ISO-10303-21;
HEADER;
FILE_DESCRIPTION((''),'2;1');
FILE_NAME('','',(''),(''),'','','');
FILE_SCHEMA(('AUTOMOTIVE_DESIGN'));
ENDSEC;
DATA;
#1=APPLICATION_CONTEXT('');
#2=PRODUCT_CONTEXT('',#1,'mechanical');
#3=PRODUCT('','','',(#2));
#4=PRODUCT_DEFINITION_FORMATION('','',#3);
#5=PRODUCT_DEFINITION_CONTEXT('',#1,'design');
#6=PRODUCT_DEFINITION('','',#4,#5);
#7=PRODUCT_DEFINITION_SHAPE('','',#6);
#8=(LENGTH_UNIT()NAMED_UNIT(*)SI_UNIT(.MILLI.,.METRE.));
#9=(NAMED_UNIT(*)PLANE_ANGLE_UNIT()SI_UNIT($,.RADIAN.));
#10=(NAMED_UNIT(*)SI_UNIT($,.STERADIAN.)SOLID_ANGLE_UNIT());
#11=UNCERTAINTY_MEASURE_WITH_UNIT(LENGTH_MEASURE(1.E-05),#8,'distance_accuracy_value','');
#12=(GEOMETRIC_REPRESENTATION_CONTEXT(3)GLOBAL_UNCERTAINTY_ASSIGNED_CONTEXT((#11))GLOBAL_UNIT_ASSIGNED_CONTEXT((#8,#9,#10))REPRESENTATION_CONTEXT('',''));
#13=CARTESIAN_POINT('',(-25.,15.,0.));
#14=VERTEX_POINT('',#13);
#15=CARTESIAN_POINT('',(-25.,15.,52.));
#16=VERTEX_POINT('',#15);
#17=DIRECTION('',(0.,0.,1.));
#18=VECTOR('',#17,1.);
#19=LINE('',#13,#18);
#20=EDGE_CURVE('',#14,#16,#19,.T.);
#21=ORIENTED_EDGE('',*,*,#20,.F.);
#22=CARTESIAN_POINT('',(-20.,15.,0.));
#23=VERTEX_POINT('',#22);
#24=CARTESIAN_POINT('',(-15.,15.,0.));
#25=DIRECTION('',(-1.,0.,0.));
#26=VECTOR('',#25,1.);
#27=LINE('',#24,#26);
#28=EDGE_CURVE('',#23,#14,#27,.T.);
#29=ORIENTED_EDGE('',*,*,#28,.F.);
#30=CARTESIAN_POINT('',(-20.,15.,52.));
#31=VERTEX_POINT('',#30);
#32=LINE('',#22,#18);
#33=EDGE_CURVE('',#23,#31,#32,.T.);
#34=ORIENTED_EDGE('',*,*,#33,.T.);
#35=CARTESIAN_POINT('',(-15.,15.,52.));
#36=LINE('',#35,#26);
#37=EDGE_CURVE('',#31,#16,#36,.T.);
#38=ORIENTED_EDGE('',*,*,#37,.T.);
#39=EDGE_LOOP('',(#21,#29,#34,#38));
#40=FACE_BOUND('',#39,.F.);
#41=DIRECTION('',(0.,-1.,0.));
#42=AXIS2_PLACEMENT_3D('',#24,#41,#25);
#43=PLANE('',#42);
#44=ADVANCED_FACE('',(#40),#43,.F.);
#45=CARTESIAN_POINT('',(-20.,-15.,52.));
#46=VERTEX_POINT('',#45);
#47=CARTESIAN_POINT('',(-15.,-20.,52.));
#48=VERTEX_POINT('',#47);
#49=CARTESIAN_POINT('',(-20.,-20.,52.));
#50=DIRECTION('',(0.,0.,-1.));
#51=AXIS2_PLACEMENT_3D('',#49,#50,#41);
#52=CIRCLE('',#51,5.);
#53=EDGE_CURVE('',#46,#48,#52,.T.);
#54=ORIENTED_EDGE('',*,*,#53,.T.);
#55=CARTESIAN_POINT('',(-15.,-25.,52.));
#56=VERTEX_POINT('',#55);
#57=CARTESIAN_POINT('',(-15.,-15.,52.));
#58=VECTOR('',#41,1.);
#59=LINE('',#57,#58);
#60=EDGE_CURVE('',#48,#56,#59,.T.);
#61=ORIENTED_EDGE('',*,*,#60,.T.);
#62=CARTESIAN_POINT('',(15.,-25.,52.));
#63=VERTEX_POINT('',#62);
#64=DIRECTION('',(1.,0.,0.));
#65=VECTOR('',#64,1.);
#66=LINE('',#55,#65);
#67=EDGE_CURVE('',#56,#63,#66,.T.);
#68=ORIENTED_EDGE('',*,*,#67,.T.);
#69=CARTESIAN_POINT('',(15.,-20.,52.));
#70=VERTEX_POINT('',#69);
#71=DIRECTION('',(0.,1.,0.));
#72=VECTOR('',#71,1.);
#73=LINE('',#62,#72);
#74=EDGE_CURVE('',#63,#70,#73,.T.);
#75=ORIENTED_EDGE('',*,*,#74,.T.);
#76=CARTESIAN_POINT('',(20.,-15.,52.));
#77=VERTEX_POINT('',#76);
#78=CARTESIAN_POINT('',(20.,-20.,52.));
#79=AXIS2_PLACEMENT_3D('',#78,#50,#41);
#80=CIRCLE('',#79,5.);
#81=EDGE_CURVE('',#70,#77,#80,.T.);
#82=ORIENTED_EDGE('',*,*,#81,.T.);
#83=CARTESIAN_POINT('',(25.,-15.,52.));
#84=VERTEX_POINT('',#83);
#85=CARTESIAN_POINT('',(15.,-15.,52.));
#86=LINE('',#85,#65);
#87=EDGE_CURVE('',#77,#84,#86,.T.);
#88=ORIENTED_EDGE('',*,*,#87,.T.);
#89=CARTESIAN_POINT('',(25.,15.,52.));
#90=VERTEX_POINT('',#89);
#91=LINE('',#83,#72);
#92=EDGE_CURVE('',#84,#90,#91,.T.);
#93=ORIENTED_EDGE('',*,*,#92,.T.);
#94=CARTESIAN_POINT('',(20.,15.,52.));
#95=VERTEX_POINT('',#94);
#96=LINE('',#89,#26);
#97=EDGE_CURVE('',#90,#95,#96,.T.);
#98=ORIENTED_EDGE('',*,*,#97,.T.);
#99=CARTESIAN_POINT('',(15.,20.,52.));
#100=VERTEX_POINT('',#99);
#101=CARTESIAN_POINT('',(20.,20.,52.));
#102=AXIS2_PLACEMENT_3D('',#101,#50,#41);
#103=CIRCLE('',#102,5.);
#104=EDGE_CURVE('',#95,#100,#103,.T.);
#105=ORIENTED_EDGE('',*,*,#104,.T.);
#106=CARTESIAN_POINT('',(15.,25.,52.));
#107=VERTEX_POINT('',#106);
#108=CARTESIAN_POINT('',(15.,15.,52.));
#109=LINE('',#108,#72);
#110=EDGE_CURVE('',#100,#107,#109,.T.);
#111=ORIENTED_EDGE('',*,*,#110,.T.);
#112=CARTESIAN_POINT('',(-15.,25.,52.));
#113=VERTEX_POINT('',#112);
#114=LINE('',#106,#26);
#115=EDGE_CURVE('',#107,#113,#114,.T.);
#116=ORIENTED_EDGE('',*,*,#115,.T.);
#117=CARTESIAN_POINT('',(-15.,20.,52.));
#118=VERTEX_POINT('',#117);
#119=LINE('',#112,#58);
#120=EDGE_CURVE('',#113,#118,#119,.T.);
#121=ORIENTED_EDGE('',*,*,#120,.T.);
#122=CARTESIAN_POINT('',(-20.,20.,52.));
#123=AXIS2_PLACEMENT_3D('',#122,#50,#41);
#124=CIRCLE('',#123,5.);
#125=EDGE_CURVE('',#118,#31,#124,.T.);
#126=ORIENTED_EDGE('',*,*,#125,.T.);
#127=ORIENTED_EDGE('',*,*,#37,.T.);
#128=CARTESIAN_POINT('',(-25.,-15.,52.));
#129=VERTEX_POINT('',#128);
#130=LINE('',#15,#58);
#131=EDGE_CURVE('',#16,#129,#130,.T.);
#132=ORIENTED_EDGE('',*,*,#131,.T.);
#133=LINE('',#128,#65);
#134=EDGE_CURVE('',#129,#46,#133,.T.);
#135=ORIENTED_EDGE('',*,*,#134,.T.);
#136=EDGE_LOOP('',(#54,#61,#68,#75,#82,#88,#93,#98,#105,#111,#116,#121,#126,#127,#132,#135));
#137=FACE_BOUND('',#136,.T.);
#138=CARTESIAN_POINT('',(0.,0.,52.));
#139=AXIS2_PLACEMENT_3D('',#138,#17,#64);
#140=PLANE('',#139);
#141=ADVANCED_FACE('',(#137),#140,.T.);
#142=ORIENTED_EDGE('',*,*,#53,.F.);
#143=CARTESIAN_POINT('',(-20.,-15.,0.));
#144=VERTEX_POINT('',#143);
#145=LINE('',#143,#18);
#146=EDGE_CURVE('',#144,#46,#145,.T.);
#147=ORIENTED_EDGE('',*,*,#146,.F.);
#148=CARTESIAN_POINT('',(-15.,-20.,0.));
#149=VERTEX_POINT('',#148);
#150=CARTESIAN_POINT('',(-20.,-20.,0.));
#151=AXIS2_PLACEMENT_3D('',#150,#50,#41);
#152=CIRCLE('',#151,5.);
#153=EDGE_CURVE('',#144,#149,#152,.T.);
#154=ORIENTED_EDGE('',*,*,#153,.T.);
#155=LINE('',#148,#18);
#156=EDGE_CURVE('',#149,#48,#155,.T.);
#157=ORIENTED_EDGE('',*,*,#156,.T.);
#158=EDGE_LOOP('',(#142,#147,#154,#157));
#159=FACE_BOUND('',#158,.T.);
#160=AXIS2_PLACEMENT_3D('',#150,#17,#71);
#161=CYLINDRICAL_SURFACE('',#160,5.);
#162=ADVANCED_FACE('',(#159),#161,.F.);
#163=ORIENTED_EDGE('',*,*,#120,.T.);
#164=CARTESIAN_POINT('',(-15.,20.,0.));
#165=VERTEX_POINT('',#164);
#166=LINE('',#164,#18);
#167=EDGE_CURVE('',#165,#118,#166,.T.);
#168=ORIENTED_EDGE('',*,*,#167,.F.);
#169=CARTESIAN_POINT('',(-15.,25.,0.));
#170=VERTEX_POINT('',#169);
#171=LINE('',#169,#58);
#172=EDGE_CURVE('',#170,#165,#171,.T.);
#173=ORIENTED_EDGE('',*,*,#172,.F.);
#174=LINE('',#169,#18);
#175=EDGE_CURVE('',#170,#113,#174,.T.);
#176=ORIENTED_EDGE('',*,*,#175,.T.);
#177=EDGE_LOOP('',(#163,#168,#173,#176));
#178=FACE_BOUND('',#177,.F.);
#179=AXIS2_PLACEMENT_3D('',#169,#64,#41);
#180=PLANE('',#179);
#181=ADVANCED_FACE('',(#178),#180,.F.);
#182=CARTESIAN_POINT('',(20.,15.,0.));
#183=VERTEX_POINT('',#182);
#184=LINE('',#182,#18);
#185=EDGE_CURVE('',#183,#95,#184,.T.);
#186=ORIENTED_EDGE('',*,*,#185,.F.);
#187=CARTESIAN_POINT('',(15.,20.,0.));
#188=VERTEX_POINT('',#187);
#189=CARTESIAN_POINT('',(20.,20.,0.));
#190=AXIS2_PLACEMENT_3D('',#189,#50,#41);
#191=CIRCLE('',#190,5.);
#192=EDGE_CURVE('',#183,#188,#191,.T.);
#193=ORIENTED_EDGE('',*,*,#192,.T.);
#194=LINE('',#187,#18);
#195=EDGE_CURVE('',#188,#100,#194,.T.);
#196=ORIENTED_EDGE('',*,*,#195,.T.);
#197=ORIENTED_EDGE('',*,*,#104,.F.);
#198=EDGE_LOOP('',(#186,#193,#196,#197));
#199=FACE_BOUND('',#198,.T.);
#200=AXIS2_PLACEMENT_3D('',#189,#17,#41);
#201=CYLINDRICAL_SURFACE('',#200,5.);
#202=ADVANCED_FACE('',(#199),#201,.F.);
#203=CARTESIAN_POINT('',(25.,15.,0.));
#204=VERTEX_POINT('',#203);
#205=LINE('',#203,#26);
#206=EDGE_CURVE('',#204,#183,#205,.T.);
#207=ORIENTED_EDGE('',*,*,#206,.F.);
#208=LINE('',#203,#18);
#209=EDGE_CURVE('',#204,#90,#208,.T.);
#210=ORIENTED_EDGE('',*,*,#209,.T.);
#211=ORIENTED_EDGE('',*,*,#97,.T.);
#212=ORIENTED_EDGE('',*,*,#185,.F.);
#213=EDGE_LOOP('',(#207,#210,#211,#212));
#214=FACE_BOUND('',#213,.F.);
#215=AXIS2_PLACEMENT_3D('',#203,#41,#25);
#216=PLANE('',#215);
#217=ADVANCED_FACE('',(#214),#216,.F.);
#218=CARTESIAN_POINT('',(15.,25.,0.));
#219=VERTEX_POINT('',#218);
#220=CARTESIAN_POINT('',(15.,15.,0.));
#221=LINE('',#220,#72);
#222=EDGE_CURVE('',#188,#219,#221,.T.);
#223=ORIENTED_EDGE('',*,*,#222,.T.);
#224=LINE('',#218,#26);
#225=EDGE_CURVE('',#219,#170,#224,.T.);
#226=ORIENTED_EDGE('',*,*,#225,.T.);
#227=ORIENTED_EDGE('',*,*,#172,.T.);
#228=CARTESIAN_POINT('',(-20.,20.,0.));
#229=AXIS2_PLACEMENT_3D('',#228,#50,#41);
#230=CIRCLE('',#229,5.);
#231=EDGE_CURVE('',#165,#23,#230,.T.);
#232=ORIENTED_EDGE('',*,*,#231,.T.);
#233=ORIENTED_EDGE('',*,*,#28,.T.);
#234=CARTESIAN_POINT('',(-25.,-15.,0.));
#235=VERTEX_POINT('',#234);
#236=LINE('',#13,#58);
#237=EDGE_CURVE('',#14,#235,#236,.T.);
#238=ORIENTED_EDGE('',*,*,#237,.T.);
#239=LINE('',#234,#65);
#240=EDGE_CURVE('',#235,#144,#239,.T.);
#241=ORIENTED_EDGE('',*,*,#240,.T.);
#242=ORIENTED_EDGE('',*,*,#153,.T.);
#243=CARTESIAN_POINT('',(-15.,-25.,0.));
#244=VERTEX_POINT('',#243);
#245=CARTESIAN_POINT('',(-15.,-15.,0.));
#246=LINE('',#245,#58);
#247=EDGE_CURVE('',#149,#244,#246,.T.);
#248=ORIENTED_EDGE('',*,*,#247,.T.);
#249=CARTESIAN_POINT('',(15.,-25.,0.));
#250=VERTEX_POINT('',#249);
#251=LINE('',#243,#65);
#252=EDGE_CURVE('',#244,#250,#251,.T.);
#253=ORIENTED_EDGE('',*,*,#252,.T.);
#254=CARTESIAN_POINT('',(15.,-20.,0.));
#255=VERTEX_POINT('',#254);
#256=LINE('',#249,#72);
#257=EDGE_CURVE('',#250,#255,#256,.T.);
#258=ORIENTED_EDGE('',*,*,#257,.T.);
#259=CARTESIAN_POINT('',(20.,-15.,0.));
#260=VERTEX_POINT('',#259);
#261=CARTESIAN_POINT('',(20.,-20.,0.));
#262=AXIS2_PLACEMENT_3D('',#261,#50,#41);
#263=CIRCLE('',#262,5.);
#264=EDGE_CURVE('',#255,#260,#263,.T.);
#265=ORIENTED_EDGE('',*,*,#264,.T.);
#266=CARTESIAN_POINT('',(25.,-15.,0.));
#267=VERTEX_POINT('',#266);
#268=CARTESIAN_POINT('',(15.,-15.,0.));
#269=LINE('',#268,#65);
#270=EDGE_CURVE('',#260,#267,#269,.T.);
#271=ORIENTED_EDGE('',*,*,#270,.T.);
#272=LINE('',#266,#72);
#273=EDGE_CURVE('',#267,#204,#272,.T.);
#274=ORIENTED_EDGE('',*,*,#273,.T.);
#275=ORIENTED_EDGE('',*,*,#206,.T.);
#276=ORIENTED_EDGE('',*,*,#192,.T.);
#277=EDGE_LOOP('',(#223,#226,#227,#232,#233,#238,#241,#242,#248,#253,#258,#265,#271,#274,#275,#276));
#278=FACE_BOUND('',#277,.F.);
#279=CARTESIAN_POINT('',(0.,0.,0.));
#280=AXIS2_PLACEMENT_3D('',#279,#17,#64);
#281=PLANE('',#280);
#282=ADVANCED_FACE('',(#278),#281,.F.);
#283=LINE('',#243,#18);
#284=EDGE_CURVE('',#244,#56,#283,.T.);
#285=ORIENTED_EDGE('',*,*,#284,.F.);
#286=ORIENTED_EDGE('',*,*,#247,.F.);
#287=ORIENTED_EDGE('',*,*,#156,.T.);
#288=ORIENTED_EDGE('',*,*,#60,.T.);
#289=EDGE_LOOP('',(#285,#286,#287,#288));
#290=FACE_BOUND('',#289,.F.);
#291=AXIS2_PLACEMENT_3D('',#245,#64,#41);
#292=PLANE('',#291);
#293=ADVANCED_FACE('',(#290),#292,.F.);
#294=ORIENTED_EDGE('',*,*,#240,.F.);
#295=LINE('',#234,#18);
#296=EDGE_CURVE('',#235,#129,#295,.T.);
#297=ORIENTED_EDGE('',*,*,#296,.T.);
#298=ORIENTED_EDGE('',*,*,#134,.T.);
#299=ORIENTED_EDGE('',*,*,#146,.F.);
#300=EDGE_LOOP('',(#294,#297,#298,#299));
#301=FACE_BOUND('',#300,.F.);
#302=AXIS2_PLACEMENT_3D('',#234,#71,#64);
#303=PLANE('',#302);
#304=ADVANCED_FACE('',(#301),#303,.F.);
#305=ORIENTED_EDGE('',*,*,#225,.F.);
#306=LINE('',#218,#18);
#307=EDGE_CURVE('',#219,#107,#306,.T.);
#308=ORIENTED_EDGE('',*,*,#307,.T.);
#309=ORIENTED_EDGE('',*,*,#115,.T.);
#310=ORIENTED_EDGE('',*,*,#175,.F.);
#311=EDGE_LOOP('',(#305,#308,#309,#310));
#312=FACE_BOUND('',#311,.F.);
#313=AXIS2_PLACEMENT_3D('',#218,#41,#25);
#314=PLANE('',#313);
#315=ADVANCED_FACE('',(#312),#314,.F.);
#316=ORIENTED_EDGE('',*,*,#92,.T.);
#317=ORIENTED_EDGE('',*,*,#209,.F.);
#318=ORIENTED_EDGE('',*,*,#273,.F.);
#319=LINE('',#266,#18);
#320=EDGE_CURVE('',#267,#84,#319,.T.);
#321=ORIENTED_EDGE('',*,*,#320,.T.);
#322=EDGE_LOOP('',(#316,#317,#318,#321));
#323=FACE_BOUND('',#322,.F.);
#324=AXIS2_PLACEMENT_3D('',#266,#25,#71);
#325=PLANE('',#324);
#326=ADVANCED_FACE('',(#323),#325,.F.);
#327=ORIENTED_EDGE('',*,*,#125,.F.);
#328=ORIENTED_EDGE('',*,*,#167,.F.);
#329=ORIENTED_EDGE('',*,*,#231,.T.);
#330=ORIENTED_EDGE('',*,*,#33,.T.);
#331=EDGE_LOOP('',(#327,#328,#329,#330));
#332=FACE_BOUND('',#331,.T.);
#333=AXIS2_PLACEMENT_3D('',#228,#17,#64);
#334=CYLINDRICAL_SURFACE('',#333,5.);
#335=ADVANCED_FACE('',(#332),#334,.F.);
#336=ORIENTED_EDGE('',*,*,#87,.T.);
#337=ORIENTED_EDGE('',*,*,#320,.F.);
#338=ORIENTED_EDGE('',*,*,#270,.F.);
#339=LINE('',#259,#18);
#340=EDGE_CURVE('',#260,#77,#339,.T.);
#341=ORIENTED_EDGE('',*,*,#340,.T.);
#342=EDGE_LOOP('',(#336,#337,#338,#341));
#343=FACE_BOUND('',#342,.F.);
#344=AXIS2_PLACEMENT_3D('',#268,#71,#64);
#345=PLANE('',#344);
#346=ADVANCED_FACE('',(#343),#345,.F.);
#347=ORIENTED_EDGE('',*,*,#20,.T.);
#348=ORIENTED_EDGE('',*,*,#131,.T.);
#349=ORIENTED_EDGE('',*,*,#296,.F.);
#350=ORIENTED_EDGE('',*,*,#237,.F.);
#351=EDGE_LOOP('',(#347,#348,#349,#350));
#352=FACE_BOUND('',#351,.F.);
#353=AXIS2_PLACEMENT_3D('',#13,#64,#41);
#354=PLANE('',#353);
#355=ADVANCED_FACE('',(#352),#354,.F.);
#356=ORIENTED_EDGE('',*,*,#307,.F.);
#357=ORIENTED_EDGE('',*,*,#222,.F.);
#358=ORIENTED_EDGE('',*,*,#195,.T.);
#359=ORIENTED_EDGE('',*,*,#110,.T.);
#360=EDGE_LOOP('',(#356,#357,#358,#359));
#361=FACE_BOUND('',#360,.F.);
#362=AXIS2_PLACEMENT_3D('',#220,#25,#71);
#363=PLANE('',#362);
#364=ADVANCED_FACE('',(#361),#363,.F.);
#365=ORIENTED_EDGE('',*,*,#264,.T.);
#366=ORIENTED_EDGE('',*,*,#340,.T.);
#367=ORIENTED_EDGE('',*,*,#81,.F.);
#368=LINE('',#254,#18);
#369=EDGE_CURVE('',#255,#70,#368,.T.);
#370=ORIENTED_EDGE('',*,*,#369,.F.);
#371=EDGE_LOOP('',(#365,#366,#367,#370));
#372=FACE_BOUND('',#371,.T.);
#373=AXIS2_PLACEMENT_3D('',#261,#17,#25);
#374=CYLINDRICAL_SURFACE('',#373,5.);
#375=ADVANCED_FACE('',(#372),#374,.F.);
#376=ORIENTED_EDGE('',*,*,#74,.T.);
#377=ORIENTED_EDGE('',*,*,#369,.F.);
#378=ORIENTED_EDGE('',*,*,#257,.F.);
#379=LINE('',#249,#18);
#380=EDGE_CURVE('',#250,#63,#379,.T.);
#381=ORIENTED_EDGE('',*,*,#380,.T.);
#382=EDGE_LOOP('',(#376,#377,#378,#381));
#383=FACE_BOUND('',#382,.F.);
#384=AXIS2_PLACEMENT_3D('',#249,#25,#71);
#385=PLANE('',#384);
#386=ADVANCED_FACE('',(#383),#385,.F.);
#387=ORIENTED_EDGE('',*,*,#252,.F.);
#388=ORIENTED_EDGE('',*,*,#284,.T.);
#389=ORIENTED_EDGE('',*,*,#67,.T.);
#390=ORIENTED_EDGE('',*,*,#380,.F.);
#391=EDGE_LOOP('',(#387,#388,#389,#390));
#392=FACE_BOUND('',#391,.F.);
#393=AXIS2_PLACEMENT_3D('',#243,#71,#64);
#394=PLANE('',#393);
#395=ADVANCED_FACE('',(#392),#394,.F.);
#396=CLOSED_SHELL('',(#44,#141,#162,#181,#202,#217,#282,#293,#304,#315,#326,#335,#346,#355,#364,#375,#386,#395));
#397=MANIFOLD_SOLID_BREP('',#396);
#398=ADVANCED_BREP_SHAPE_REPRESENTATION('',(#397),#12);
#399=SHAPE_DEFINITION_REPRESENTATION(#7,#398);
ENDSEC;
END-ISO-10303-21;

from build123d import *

# Parameters (mm, degrees)
F1_DEPTH = 52
F2_R     = 5


with BuildPart() as f1:
    # F0 (on Top) → F1 (new body)
    with BuildSketch(Plane.XY):
        Polygon((15, 25), (-15, 25), (-15, 15), (-25, 15), (-25, -15), (-15, -15), (-15, -25), (15, -25), (15, -15), (25, -15), (25, 15), (15, 15), align=None)
    extrude(amount=F1_DEPTH)

    # F2
    f2_edges = [f1.edges().sort_by_distance(p)[0] for p in [
        (-15, -15, 26),
        (15, -15, 26),
        (15, 15, 26),
        (-15, 15, 26),
    ]]
    fillet(f2_edges, radius=F2_R)


solid = f1.part
